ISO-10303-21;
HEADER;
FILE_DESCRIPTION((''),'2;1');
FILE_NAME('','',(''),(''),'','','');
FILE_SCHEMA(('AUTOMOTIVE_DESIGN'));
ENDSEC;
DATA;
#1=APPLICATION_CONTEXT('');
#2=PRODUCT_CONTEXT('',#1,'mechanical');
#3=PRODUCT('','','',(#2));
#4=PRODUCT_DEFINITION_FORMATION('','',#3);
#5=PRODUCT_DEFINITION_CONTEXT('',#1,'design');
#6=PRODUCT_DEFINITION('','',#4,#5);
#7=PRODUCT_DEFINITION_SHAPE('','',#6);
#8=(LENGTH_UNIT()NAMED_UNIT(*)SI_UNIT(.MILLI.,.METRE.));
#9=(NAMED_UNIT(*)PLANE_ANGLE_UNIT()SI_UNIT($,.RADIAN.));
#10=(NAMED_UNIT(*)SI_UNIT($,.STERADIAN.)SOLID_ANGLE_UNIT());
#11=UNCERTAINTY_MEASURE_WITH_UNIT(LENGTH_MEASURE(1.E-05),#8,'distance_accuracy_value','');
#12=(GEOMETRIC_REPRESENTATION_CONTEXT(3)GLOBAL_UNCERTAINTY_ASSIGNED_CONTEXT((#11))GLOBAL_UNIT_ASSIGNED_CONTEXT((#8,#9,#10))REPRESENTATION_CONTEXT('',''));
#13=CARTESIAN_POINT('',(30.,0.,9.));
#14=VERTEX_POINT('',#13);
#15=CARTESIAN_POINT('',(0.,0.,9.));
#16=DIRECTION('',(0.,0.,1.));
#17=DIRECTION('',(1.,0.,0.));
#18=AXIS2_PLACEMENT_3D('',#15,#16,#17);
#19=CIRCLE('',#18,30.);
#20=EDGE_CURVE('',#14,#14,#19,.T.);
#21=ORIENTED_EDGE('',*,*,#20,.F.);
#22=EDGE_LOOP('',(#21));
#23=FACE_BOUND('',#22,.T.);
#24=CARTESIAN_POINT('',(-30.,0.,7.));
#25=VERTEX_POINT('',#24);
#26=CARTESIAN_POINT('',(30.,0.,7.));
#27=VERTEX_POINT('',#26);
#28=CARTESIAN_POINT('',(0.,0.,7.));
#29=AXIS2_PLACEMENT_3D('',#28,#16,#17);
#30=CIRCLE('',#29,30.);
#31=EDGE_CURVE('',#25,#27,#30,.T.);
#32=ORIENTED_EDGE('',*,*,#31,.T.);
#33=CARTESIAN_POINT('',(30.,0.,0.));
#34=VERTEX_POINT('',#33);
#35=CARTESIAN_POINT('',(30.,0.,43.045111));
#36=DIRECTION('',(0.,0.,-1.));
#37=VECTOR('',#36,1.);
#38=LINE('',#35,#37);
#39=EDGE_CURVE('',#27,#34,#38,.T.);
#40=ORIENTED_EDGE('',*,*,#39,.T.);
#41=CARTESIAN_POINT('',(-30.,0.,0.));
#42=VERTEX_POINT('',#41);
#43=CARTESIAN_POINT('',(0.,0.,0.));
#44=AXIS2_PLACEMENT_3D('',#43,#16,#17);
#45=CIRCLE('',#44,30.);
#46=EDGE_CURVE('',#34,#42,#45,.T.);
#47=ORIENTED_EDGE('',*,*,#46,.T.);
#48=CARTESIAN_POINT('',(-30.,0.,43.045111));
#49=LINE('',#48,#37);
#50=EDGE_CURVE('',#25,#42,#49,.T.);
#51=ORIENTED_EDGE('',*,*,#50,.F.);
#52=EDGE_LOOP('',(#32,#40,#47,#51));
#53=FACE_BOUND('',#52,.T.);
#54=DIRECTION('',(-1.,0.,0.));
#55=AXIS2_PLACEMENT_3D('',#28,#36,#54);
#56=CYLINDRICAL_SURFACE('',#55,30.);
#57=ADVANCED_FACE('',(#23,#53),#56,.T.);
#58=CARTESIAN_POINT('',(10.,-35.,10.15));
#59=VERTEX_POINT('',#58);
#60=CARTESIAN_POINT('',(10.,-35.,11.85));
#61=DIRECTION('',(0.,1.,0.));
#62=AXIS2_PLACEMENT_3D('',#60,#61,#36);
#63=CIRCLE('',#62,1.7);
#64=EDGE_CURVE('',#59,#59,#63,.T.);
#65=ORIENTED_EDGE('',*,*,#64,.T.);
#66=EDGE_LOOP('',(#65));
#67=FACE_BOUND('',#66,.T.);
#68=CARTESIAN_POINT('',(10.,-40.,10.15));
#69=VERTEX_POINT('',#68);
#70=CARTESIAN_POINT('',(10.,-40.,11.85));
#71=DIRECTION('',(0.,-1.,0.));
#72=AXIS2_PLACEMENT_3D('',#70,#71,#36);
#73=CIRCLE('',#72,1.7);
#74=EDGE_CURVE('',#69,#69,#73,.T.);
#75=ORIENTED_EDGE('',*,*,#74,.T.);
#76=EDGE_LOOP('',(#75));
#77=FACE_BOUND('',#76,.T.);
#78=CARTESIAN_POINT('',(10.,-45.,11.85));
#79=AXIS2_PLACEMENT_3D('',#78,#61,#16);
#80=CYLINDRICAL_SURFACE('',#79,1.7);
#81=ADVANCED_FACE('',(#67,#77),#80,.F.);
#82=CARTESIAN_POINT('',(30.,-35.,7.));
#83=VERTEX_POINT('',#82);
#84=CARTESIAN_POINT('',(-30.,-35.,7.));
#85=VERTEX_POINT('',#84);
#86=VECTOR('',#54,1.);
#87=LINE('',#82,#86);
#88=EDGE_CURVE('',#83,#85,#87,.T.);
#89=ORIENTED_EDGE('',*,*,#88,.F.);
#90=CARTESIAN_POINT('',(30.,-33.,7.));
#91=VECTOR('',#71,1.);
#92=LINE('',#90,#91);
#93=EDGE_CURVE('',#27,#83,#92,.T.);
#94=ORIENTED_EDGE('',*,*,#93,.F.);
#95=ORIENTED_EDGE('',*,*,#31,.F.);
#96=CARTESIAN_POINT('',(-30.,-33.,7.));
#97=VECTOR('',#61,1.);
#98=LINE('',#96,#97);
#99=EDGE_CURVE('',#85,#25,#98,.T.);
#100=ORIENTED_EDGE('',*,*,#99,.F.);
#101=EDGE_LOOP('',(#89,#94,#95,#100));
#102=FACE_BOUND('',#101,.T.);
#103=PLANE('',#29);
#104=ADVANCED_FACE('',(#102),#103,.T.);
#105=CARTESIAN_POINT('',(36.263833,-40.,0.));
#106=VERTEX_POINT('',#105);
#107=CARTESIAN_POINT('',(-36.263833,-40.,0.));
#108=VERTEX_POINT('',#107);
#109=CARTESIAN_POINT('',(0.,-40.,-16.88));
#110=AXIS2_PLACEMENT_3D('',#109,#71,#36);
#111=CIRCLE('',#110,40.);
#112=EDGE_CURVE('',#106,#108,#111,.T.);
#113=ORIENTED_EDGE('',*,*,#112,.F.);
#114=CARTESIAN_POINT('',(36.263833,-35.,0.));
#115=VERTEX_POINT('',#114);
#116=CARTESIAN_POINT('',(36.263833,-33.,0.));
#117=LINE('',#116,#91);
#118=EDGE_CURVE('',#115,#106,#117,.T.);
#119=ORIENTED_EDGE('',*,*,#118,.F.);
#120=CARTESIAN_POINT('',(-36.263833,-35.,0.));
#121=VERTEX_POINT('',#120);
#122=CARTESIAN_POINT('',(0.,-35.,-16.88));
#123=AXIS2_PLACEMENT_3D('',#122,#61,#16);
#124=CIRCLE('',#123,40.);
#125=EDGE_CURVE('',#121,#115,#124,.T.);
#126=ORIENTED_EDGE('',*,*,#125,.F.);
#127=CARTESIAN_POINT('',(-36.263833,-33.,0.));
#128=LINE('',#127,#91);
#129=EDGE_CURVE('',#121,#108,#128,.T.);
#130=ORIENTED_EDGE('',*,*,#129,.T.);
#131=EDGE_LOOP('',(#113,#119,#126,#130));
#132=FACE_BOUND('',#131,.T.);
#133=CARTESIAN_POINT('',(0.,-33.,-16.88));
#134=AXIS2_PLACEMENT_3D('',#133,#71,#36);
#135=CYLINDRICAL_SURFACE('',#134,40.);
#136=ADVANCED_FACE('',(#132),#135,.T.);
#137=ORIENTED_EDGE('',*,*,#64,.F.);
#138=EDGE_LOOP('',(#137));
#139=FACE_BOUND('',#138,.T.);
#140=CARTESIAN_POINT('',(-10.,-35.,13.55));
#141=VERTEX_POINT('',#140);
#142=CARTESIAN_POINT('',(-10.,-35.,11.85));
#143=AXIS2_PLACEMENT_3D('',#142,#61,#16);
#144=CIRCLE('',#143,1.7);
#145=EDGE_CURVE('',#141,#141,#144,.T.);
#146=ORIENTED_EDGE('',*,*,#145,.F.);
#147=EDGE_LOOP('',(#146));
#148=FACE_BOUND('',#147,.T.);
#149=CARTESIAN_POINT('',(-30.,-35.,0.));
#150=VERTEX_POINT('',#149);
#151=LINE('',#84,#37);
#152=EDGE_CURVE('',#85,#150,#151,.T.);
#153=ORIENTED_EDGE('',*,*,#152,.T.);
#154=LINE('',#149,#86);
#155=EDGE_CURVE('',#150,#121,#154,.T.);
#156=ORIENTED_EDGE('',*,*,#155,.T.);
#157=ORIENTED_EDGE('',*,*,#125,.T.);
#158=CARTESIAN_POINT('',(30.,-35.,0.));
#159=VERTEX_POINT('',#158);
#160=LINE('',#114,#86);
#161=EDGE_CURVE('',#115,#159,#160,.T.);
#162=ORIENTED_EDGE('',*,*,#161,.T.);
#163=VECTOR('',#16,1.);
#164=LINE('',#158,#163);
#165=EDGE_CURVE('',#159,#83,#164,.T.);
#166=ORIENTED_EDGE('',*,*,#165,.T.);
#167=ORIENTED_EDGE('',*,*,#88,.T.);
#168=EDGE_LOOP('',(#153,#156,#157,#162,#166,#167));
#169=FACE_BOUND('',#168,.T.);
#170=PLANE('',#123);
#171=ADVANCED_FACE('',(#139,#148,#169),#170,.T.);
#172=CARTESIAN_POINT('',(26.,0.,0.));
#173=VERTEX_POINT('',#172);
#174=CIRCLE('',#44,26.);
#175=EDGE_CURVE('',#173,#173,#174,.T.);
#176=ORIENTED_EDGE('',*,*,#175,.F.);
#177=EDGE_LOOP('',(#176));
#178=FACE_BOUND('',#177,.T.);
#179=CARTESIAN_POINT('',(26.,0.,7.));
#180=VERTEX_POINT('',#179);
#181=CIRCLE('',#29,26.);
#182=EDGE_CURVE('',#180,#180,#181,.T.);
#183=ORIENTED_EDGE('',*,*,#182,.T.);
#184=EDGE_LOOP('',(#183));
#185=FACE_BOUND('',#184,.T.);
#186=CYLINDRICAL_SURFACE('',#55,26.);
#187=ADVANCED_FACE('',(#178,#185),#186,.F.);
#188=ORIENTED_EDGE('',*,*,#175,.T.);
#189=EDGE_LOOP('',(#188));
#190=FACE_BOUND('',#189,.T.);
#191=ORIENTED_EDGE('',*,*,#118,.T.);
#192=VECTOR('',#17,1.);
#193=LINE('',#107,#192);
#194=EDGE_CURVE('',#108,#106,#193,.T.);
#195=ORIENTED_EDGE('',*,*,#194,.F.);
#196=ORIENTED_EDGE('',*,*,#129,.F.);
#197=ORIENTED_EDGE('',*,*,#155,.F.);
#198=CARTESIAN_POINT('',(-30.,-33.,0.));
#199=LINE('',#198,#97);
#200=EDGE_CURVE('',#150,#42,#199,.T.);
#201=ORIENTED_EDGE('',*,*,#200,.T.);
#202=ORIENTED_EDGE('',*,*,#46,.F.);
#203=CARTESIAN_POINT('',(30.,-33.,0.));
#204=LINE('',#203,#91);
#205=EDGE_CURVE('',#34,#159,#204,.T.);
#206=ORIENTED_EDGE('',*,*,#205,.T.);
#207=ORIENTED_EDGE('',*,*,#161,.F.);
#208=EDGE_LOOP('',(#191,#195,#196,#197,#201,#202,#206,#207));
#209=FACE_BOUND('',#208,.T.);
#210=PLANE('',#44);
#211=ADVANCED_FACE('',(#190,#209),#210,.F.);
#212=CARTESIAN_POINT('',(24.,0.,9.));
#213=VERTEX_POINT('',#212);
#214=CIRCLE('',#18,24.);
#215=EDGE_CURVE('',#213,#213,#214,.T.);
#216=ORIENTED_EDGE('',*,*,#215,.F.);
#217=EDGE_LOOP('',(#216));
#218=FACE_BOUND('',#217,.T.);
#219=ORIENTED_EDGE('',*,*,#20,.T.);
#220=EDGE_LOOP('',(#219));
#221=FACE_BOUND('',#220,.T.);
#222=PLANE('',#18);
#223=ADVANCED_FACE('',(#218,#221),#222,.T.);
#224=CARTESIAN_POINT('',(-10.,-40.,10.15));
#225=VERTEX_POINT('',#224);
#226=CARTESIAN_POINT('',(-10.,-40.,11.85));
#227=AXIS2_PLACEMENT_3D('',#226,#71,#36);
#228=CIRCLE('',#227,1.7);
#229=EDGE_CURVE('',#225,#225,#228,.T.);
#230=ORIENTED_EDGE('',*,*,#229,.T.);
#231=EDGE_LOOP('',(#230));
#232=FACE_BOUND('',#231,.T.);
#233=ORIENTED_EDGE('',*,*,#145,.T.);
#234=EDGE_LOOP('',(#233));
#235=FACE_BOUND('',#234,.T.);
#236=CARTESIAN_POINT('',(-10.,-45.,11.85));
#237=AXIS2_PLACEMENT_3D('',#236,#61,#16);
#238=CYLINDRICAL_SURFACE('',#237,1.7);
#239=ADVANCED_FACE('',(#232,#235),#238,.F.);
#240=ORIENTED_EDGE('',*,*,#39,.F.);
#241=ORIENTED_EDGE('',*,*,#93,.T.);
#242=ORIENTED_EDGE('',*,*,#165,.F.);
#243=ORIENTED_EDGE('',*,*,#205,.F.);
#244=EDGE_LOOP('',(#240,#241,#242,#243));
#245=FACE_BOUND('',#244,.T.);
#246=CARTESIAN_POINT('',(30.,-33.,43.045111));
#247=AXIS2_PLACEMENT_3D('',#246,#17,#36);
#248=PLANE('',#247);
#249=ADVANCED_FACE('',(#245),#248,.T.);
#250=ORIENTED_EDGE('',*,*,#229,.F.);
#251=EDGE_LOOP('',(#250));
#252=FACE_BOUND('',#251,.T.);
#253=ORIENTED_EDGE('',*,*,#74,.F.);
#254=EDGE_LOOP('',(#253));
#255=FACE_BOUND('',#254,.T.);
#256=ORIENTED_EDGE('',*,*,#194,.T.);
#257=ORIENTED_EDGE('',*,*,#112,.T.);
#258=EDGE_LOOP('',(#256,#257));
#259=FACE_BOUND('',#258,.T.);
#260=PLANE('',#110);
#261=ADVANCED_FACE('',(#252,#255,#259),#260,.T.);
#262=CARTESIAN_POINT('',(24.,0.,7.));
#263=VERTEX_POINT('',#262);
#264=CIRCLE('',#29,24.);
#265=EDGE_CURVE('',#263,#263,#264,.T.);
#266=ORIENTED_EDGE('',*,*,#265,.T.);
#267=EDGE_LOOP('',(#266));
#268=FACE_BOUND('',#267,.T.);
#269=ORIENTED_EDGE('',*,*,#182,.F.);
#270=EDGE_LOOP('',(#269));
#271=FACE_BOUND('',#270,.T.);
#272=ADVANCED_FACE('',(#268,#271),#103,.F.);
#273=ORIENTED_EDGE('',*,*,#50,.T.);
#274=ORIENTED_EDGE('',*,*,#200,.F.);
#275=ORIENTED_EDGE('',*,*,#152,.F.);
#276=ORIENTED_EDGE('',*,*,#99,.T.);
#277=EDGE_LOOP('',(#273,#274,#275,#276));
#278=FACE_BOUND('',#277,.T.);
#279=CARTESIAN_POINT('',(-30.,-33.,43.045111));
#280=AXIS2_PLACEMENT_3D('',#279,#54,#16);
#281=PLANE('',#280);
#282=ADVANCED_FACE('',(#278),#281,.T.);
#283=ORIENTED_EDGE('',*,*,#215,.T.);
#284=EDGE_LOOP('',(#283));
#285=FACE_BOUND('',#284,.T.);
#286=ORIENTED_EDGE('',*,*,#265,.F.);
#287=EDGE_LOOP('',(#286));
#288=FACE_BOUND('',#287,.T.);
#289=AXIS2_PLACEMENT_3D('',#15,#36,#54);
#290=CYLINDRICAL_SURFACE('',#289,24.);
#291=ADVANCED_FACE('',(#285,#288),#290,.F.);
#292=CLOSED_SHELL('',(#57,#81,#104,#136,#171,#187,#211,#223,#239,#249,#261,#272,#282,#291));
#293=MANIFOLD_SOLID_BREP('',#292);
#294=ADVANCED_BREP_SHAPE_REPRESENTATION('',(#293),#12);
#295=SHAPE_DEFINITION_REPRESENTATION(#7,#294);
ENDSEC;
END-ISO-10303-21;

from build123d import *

# Parameters (mm, degrees)
SKETCH_1_R          = 26
EXTRUDE_1_DEPTH     = 7
EXTRUDE_3_DEPTH     = 5
SKETCH_4_R          = 30
SKETCH_4_R_2        = 24
EXTRUDE_4_DEPTH     = 2
EXTRUDE_5_DEPTH     = 7
EXTRUDE_6_DEPTH     = 2
CUT_EXTRUDE_2_DEPTH = 2
SKETCH_11_R         = 1.7
CUT_EXTRUDE_3_DEPTH = 10


with BuildPart() as part:
    # 草图1 → 凸台-拉伸1 (new body)
    with BuildSketch(Plane.XY):
        with BuildLine():
            Line((-15.5, -38), (15.5, -38))
            Line((15.5, -38), (15.5, -25.685599078))
            ThreePointArc((15.5, -25.685599078), (0, 30), (-15.5, -25.685599078))
            Line((-15.5, -25.685599078), (-15.5, -38))
        make_face()
        Circle(SKETCH_1_R, mode=Mode.SUBTRACT)
    extrude(amount=EXTRUDE_1_DEPTH)

    # 草图3 → 凸台-拉伸3 (add)
    with BuildSketch(Plane.XZ.offset(38)):
        with BuildLine():
            Line((-36.263833223, 0), (36.263833223, 0))
            ThreePointArc((36.263833223, 0), (0, 23.12), (-36.263833223, 0))
        make_face()
    extrude(amount=-EXTRUDE_3_DEPTH)

    # 草图4 → 凸台-拉伸4 (add)
    with BuildSketch(Plane.XY.offset(7)):
        Circle(SKETCH_4_R)
        Circle(SKETCH_4_R_2, mode=Mode.SUBTRACT)
    extrude(amount=EXTRUDE_4_DEPTH)

    # 草图5 → 凸台-拉伸5 (add)
    with BuildSketch(Plane(origin=(0, 0, 0), x_dir=(-1, 0, 0), z_dir=(0, 0, -1))):
        with BuildLine():
            Line((-30, -33), (-15.5, -33))
            Line((-15.5, -33), (-15.5, -25.685599078))
            ThreePointArc((-15.5, -25.685599078), (-26.124700955, -14.747881204), (-30, 0))
            Line((-30, 0), (-30, -33))
        make_face()
        with BuildLine():
            Line((15.5, -33), (15.5, -25.685599078))
            ThreePointArc((15.5, -25.685599078), (26.124700955, -14.747881204), (30, 0))
            Line((30, 0), (30, -33))
            Line((30, -33), (15.5, -33))
        make_face()
    extrude(amount=-EXTRUDE_5_DEPTH)

    # 草图8 → 凸台-拉伸6 (add)
    with BuildSketch(Plane.XZ.offset(38)):
        with BuildLine():
            Line((-36.263833223, 0), (36.263833223, 0))
            ThreePointArc((36.263833223, 0), (0, 23.12), (-36.263833223, 0))
        make_face()
    extrude(amount=EXTRUDE_6_DEPTH)

    # 草图9 → 切除-拉伸2 (cut)
    with BuildSketch(Plane(origin=(0, -33, 0), x_dir=(1, 0, 0), z_dir=(0, 1, 0))):
        with BuildLine():
            Line((30, -7), (-30, -7))
            Line((-30, -7), (-30, 0))
            Line((-30, 0), (-36.263833223, 0))
            ThreePointArc((-36.263833223, 0), (0, -23.12), (36.263833223, 0))
            Line((36.263833223, 0), (30, 0))
            Line((30, 0), (30, -7))
        make_face()
    extrude(amount=-CUT_EXTRUDE_2_DEPTH, mode=Mode.SUBTRACT)

    # 草图11 → 切除-拉伸3 (cut)
    with BuildSketch(Plane(origin=(0, -35, 0), x_dir=(1, 0, 0), z_dir=(0, 1, 0))):
        with Locations((-10, -11.85)):
            Circle(SKETCH_11_R)
        with Locations((10, -11.85)):
            Circle(SKETCH_11_R)
    extrude(amount=-CUT_EXTRUDE_3_DEPTH, mode=Mode.SUBTRACT)


solid = part.part
